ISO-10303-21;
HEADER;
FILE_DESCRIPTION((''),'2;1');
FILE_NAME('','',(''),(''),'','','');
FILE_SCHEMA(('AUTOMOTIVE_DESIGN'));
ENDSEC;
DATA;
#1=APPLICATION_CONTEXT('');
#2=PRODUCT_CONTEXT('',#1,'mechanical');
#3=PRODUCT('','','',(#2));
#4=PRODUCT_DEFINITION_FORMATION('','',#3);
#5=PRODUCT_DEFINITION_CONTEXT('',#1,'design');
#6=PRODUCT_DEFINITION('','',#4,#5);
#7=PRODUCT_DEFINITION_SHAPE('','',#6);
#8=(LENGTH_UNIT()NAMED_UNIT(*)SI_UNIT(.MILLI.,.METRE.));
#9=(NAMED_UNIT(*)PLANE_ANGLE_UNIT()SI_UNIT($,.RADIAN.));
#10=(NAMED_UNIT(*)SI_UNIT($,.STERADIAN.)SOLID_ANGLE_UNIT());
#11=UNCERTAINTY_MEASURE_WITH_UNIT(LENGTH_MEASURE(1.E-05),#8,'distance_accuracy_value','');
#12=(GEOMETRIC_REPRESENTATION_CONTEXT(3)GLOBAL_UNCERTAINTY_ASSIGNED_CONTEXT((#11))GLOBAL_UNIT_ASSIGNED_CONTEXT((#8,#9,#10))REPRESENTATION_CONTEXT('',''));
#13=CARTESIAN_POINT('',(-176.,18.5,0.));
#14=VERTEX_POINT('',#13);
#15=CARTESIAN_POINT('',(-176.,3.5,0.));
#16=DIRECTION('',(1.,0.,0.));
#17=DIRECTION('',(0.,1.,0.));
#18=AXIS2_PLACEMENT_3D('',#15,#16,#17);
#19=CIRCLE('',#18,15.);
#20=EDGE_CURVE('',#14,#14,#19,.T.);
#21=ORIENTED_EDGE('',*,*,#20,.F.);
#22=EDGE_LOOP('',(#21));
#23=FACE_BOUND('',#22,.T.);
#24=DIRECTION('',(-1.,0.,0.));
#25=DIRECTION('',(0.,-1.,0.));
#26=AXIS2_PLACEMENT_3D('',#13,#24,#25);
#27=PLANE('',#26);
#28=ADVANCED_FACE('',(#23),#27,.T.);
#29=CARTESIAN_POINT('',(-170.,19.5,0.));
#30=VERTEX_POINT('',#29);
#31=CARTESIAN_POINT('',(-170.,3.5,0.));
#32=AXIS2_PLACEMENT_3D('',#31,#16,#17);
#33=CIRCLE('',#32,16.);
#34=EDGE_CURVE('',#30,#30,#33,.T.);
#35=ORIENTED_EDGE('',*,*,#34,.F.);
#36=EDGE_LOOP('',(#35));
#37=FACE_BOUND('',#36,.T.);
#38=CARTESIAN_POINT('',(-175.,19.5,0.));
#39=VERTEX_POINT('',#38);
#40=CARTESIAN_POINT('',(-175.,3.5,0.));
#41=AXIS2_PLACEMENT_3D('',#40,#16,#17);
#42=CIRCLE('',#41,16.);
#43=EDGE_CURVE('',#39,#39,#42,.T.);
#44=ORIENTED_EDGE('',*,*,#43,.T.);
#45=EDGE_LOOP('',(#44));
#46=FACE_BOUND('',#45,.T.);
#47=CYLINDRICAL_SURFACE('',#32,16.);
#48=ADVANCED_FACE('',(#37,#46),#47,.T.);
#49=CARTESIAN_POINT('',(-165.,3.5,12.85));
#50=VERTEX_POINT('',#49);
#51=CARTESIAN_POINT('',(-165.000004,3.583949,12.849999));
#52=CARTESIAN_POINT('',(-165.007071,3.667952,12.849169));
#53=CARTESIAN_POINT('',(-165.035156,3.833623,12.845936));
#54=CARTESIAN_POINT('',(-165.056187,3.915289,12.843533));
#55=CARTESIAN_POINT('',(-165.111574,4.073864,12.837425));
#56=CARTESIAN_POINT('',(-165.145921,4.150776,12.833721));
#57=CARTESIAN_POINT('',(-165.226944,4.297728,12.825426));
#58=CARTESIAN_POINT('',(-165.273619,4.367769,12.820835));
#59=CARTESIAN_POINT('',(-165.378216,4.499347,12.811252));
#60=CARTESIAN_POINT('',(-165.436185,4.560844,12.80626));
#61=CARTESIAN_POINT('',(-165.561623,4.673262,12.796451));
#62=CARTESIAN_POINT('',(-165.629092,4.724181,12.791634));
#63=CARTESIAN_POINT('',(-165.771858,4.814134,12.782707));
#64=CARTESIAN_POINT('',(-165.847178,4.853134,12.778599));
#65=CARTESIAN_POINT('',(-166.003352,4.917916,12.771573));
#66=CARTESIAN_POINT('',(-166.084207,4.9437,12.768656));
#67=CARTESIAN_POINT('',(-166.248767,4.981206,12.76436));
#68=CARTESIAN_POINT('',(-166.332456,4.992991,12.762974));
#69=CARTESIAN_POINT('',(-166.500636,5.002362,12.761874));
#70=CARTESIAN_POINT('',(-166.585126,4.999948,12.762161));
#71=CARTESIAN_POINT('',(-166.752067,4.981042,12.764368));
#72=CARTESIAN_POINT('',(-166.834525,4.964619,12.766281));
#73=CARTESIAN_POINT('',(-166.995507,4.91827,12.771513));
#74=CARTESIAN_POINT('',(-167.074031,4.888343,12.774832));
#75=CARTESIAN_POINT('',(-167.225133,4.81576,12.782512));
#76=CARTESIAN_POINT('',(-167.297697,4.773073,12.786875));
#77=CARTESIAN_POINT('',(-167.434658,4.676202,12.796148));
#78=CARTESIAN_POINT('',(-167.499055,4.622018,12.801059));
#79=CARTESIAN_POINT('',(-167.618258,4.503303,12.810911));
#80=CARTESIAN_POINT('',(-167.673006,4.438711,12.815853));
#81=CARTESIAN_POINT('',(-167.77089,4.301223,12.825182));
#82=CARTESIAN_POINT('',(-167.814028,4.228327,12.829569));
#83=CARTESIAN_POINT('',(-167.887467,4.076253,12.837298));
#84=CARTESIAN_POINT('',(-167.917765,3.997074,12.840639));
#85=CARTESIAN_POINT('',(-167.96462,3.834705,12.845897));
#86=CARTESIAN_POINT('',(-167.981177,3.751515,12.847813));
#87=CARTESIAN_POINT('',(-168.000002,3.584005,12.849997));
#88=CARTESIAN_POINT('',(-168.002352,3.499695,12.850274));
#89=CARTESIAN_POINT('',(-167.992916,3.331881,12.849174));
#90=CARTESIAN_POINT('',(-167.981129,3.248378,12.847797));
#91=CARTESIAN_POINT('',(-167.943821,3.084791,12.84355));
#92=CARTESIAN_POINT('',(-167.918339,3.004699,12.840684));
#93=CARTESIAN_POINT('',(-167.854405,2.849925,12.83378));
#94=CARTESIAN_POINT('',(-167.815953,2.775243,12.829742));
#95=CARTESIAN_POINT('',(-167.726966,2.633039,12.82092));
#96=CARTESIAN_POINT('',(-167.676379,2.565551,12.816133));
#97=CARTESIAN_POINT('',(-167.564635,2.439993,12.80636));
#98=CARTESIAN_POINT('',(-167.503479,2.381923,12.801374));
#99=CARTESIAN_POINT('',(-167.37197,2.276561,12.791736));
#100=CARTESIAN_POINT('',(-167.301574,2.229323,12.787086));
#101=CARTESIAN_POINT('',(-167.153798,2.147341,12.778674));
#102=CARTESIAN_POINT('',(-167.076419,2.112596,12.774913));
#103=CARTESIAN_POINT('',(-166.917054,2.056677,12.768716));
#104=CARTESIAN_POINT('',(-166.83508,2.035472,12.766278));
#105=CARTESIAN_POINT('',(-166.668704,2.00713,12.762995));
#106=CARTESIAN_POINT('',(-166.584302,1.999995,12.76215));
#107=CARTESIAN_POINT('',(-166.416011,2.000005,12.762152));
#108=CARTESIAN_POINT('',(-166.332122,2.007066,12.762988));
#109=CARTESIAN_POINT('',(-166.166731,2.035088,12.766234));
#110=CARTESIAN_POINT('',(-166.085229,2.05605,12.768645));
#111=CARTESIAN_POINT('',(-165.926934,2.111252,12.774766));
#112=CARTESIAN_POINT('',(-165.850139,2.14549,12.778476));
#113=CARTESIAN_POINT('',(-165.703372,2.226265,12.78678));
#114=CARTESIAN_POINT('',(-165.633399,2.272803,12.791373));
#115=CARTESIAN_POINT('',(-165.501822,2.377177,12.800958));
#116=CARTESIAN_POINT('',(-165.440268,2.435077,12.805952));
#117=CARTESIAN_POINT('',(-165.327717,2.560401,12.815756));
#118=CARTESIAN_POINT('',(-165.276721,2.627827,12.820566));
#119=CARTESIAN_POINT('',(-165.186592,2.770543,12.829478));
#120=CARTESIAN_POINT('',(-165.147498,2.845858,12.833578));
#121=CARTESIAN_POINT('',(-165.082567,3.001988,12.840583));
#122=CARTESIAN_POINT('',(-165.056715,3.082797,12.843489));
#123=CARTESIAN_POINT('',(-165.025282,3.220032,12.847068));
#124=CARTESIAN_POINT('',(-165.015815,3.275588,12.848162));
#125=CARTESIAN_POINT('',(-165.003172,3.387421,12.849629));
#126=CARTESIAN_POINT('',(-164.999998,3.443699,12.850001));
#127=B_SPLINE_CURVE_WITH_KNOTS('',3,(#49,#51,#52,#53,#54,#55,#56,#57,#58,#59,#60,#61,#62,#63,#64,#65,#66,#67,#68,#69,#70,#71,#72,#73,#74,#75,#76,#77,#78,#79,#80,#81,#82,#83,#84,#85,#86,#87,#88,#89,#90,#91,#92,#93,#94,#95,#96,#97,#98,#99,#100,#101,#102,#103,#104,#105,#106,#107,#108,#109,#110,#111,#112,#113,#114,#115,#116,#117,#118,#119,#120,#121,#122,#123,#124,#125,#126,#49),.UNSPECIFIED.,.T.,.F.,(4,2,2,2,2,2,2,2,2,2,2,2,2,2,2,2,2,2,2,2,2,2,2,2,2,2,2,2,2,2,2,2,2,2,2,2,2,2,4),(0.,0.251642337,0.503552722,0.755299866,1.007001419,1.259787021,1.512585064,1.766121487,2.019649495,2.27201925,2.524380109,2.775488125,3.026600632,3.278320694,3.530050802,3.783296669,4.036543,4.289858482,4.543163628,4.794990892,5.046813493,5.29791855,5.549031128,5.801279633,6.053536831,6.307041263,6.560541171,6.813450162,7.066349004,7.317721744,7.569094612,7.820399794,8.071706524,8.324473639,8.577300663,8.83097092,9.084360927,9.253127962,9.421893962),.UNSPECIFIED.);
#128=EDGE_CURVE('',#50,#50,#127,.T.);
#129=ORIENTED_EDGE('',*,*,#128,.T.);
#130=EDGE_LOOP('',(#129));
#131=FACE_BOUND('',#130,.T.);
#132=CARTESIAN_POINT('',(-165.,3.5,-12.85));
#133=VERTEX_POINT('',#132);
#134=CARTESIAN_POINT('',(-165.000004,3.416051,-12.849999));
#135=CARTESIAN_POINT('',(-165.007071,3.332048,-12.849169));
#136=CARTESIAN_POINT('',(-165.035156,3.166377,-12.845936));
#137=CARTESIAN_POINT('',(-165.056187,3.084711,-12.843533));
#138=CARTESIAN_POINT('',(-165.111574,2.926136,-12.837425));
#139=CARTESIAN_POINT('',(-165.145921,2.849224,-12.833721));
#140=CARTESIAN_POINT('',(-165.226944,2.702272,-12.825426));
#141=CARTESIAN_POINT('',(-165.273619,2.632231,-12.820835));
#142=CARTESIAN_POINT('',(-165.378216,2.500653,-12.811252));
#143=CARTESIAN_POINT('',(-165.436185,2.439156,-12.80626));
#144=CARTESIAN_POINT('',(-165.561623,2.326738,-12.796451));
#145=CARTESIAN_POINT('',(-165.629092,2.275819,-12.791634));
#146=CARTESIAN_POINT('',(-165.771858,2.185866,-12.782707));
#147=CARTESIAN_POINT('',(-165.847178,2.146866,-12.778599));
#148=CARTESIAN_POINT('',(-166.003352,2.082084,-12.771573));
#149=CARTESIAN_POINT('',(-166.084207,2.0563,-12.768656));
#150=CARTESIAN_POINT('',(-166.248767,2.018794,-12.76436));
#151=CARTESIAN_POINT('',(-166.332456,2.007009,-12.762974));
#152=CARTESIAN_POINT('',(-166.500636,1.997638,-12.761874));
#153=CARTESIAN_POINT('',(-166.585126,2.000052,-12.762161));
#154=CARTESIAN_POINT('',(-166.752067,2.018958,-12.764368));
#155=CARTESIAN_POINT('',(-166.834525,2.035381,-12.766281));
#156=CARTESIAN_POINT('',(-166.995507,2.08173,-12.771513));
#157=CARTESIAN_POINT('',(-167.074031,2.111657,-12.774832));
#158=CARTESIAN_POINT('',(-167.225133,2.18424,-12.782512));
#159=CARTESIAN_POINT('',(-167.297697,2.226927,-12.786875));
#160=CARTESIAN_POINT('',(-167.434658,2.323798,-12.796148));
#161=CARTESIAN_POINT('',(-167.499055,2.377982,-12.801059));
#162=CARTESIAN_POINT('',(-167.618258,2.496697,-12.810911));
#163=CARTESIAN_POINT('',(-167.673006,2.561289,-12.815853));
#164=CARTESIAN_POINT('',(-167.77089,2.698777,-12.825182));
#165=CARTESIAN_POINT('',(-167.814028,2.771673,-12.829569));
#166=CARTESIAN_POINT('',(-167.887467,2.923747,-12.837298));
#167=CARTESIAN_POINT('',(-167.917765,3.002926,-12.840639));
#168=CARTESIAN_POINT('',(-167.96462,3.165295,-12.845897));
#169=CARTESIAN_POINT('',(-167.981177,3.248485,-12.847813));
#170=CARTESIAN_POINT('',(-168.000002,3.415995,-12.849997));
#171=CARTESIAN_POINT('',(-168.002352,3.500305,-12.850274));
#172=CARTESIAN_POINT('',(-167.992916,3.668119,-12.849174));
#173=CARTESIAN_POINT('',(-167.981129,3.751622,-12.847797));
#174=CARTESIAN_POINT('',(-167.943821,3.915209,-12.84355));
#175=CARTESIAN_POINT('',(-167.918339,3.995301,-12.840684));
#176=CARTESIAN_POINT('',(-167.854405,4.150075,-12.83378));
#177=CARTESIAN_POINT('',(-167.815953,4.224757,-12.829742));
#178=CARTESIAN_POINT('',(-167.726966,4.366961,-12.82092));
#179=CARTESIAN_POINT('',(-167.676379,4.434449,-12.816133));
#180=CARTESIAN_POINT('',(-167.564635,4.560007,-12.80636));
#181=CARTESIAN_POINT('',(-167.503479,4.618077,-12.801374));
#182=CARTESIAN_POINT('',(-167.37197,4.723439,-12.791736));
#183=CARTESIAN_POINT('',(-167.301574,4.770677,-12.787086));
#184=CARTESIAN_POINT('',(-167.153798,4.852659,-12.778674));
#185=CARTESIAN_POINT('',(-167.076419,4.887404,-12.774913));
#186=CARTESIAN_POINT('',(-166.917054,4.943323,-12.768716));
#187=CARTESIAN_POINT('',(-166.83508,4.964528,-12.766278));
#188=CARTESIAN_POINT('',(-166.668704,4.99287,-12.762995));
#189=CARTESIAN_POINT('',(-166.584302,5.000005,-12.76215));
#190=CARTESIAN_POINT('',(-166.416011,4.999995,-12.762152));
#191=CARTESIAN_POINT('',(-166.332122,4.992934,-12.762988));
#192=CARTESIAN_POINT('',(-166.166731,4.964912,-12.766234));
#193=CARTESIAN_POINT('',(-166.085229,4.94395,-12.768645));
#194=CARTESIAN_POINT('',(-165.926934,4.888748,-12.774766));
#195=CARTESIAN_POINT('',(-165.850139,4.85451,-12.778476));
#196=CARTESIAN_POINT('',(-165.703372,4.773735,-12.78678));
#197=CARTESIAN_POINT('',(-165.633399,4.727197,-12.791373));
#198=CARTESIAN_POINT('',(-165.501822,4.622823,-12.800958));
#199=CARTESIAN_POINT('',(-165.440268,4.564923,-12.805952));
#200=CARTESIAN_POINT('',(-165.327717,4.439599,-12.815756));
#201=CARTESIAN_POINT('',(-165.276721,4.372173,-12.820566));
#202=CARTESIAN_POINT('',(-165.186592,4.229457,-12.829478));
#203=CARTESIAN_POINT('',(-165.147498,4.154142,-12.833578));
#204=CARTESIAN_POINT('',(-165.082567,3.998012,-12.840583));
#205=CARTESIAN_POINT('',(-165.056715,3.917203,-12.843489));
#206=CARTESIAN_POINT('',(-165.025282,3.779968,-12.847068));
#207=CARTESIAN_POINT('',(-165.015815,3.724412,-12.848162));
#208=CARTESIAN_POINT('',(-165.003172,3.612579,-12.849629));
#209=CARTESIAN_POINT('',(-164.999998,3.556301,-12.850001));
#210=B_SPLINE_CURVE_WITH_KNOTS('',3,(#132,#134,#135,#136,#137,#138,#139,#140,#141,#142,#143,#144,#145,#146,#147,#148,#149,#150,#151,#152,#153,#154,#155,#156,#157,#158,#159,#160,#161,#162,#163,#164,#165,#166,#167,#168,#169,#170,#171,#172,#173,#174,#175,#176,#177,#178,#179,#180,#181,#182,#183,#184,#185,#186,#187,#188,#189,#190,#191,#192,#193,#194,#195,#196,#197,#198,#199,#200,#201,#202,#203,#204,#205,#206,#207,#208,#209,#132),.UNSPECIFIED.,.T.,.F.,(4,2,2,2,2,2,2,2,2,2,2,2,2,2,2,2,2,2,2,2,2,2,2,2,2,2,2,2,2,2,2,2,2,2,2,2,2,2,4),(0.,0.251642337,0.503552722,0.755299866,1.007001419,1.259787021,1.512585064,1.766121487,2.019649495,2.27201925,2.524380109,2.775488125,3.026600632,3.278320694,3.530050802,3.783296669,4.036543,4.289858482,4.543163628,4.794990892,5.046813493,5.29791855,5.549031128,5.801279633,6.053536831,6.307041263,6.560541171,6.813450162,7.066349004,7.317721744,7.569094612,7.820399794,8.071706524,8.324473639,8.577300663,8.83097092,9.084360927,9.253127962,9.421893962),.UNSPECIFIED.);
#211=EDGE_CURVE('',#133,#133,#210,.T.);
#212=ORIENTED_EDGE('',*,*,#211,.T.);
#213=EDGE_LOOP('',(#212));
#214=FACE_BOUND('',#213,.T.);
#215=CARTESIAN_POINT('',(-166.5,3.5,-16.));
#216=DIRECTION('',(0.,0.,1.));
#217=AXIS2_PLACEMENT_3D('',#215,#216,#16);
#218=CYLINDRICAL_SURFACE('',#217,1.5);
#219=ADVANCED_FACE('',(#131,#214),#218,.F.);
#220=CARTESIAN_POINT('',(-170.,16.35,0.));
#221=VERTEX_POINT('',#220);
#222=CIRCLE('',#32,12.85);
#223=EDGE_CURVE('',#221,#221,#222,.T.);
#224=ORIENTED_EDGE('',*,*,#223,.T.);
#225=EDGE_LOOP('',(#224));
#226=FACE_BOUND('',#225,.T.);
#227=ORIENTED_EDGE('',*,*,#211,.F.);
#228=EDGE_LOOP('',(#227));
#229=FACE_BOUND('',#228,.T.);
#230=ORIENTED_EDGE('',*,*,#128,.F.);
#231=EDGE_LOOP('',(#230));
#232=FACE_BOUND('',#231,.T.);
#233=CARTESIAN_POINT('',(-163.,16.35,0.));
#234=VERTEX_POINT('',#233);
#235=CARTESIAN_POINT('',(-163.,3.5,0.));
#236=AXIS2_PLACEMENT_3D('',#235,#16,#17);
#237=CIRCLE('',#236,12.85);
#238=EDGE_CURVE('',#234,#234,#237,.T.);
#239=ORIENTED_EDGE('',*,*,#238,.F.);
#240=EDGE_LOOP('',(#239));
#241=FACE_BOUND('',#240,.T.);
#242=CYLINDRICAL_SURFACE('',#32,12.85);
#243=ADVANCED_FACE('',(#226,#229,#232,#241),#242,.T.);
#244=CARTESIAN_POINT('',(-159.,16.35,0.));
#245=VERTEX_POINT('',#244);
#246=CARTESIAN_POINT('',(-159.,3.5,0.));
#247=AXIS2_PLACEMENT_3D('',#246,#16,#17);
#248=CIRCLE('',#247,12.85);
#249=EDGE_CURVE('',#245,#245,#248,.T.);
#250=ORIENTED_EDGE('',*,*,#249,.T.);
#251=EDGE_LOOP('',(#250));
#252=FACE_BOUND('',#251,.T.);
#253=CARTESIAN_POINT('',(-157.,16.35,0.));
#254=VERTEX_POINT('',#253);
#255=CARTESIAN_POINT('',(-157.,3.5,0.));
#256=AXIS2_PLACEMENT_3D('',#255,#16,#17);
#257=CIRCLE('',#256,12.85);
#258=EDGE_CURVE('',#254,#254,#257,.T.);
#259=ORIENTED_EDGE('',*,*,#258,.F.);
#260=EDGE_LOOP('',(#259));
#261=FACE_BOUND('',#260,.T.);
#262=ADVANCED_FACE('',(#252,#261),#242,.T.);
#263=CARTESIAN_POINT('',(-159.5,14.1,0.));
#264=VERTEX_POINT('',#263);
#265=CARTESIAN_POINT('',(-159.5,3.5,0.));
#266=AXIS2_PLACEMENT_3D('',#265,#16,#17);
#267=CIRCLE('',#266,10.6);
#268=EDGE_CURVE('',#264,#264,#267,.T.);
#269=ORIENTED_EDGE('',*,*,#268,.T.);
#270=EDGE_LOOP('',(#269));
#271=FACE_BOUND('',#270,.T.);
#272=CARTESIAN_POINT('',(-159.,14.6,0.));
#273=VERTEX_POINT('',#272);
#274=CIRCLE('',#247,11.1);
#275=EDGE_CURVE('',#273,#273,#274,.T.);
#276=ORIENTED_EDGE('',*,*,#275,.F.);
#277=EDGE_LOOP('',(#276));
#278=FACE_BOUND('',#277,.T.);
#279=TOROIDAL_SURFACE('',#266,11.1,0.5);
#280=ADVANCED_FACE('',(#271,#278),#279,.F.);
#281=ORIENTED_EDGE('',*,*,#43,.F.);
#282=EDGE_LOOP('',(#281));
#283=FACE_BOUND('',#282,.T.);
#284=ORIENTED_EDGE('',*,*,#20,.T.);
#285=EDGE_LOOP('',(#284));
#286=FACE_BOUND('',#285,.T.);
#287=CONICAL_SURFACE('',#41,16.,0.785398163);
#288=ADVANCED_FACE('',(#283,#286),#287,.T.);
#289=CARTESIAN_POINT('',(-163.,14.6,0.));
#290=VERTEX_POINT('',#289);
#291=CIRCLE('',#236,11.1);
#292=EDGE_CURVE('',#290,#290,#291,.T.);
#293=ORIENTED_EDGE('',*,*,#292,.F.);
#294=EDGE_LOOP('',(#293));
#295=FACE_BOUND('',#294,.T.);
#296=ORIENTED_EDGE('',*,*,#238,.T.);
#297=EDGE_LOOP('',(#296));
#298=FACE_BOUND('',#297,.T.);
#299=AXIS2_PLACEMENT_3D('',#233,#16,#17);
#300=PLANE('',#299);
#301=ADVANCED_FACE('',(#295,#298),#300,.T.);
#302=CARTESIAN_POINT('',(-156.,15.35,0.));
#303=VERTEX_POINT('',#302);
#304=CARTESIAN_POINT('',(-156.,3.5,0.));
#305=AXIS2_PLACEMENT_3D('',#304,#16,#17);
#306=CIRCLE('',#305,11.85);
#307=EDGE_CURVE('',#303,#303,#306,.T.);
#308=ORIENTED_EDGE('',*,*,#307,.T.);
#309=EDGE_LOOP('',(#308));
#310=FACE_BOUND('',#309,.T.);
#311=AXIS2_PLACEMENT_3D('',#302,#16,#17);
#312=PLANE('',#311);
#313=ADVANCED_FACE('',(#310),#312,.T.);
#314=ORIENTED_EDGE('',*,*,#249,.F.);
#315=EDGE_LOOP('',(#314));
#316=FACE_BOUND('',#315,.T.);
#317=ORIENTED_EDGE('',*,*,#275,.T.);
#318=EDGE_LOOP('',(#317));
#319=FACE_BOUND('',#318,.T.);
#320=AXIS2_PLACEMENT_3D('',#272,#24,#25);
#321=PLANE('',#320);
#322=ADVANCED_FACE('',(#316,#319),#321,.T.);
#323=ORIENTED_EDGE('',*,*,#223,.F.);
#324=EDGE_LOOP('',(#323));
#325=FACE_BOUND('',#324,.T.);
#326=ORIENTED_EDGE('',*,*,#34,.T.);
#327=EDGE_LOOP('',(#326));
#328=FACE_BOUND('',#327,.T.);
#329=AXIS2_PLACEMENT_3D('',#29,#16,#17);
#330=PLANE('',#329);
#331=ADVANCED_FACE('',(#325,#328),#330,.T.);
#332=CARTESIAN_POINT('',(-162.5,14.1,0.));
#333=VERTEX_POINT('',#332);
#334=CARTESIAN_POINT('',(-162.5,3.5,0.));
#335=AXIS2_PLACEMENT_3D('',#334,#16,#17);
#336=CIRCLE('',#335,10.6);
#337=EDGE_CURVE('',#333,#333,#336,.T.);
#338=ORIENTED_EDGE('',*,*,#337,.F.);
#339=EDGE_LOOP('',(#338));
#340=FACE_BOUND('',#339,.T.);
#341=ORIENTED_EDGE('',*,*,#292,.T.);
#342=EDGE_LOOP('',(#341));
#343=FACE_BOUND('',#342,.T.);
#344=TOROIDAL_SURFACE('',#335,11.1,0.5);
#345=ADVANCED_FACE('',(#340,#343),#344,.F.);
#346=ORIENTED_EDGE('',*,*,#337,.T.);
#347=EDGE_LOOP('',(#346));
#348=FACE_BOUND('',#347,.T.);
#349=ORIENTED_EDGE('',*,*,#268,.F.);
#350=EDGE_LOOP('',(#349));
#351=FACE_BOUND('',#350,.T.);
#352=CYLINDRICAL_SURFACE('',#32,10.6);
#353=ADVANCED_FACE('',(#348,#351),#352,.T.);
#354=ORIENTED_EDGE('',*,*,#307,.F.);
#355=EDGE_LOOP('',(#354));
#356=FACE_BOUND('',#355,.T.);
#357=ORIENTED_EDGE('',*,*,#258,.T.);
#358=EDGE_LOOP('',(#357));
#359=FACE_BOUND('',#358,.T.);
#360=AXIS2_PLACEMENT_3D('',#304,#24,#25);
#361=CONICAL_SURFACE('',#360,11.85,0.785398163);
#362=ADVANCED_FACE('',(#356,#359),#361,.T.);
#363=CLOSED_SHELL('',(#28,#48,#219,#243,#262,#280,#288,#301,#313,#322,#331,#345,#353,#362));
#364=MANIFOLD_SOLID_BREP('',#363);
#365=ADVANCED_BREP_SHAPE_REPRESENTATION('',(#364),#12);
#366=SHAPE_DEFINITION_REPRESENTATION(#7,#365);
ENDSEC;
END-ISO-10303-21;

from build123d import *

# Parameters (mm, degrees)
ESQUISSE2_R                  = 1.5
ENL_V_MAT_EXTRU_1_DEPTH      = 17
ENL_V_MAT_EXTRU_1_DEPTH_BACK = 17


with BuildPart() as part:
    # Esquisse1 → Révolution1 (revolve)
    with BuildSketch(Plane.XY):
        with BuildLine():
            Line((-170, 19.5), (-175, 19.5))
            Line((-175, 19.5), (-176, 18.5))
            Line((-176, 18.5), (-176, 3.5))
            Line((-176, 3.5), (-156, 3.5))
            Line((-156, 3.5), (-156, 15.35))
            Line((-156, 15.35), (-157, 16.35))
            Line((-157, 16.35), (-159, 16.35))
            Line((-159, 16.35), (-159, 14.6))
            ThreePointArc((-159, 14.6), (-159.146446609, 14.246446609), (-159.5, 14.1))
            Line((-159.5, 14.1), (-162.5, 14.1))
            ThreePointArc((-162.5, 14.1), (-162.853553391, 14.246446609), (-163, 14.6))
            Line((-163, 14.6), (-163, 16.35))
            Line((-163, 16.35), (-170, 16.35))
            Line((-170, 16.35), (-170, 19.5))
        make_face()
    revolve(axis=Axis((-170, 3.5, 0), (-1, 0, 0)))

    # Esquisse2 → Enlèv. mat.-Extru.1 (cut, two sides)
    with BuildSketch(Plane.XY) as enl_v_mat_extru_1_sk:
        with Locations((-166.5, 3.5)):
            Circle(ESQUISSE2_R)
    extrude(amount=ENL_V_MAT_EXTRU_1_DEPTH, mode=Mode.SUBTRACT)
    extrude(enl_v_mat_extru_1_sk.sketch, amount=-ENL_V_MAT_EXTRU_1_DEPTH_BACK, mode=Mode.SUBTRACT)


solid = part.part
